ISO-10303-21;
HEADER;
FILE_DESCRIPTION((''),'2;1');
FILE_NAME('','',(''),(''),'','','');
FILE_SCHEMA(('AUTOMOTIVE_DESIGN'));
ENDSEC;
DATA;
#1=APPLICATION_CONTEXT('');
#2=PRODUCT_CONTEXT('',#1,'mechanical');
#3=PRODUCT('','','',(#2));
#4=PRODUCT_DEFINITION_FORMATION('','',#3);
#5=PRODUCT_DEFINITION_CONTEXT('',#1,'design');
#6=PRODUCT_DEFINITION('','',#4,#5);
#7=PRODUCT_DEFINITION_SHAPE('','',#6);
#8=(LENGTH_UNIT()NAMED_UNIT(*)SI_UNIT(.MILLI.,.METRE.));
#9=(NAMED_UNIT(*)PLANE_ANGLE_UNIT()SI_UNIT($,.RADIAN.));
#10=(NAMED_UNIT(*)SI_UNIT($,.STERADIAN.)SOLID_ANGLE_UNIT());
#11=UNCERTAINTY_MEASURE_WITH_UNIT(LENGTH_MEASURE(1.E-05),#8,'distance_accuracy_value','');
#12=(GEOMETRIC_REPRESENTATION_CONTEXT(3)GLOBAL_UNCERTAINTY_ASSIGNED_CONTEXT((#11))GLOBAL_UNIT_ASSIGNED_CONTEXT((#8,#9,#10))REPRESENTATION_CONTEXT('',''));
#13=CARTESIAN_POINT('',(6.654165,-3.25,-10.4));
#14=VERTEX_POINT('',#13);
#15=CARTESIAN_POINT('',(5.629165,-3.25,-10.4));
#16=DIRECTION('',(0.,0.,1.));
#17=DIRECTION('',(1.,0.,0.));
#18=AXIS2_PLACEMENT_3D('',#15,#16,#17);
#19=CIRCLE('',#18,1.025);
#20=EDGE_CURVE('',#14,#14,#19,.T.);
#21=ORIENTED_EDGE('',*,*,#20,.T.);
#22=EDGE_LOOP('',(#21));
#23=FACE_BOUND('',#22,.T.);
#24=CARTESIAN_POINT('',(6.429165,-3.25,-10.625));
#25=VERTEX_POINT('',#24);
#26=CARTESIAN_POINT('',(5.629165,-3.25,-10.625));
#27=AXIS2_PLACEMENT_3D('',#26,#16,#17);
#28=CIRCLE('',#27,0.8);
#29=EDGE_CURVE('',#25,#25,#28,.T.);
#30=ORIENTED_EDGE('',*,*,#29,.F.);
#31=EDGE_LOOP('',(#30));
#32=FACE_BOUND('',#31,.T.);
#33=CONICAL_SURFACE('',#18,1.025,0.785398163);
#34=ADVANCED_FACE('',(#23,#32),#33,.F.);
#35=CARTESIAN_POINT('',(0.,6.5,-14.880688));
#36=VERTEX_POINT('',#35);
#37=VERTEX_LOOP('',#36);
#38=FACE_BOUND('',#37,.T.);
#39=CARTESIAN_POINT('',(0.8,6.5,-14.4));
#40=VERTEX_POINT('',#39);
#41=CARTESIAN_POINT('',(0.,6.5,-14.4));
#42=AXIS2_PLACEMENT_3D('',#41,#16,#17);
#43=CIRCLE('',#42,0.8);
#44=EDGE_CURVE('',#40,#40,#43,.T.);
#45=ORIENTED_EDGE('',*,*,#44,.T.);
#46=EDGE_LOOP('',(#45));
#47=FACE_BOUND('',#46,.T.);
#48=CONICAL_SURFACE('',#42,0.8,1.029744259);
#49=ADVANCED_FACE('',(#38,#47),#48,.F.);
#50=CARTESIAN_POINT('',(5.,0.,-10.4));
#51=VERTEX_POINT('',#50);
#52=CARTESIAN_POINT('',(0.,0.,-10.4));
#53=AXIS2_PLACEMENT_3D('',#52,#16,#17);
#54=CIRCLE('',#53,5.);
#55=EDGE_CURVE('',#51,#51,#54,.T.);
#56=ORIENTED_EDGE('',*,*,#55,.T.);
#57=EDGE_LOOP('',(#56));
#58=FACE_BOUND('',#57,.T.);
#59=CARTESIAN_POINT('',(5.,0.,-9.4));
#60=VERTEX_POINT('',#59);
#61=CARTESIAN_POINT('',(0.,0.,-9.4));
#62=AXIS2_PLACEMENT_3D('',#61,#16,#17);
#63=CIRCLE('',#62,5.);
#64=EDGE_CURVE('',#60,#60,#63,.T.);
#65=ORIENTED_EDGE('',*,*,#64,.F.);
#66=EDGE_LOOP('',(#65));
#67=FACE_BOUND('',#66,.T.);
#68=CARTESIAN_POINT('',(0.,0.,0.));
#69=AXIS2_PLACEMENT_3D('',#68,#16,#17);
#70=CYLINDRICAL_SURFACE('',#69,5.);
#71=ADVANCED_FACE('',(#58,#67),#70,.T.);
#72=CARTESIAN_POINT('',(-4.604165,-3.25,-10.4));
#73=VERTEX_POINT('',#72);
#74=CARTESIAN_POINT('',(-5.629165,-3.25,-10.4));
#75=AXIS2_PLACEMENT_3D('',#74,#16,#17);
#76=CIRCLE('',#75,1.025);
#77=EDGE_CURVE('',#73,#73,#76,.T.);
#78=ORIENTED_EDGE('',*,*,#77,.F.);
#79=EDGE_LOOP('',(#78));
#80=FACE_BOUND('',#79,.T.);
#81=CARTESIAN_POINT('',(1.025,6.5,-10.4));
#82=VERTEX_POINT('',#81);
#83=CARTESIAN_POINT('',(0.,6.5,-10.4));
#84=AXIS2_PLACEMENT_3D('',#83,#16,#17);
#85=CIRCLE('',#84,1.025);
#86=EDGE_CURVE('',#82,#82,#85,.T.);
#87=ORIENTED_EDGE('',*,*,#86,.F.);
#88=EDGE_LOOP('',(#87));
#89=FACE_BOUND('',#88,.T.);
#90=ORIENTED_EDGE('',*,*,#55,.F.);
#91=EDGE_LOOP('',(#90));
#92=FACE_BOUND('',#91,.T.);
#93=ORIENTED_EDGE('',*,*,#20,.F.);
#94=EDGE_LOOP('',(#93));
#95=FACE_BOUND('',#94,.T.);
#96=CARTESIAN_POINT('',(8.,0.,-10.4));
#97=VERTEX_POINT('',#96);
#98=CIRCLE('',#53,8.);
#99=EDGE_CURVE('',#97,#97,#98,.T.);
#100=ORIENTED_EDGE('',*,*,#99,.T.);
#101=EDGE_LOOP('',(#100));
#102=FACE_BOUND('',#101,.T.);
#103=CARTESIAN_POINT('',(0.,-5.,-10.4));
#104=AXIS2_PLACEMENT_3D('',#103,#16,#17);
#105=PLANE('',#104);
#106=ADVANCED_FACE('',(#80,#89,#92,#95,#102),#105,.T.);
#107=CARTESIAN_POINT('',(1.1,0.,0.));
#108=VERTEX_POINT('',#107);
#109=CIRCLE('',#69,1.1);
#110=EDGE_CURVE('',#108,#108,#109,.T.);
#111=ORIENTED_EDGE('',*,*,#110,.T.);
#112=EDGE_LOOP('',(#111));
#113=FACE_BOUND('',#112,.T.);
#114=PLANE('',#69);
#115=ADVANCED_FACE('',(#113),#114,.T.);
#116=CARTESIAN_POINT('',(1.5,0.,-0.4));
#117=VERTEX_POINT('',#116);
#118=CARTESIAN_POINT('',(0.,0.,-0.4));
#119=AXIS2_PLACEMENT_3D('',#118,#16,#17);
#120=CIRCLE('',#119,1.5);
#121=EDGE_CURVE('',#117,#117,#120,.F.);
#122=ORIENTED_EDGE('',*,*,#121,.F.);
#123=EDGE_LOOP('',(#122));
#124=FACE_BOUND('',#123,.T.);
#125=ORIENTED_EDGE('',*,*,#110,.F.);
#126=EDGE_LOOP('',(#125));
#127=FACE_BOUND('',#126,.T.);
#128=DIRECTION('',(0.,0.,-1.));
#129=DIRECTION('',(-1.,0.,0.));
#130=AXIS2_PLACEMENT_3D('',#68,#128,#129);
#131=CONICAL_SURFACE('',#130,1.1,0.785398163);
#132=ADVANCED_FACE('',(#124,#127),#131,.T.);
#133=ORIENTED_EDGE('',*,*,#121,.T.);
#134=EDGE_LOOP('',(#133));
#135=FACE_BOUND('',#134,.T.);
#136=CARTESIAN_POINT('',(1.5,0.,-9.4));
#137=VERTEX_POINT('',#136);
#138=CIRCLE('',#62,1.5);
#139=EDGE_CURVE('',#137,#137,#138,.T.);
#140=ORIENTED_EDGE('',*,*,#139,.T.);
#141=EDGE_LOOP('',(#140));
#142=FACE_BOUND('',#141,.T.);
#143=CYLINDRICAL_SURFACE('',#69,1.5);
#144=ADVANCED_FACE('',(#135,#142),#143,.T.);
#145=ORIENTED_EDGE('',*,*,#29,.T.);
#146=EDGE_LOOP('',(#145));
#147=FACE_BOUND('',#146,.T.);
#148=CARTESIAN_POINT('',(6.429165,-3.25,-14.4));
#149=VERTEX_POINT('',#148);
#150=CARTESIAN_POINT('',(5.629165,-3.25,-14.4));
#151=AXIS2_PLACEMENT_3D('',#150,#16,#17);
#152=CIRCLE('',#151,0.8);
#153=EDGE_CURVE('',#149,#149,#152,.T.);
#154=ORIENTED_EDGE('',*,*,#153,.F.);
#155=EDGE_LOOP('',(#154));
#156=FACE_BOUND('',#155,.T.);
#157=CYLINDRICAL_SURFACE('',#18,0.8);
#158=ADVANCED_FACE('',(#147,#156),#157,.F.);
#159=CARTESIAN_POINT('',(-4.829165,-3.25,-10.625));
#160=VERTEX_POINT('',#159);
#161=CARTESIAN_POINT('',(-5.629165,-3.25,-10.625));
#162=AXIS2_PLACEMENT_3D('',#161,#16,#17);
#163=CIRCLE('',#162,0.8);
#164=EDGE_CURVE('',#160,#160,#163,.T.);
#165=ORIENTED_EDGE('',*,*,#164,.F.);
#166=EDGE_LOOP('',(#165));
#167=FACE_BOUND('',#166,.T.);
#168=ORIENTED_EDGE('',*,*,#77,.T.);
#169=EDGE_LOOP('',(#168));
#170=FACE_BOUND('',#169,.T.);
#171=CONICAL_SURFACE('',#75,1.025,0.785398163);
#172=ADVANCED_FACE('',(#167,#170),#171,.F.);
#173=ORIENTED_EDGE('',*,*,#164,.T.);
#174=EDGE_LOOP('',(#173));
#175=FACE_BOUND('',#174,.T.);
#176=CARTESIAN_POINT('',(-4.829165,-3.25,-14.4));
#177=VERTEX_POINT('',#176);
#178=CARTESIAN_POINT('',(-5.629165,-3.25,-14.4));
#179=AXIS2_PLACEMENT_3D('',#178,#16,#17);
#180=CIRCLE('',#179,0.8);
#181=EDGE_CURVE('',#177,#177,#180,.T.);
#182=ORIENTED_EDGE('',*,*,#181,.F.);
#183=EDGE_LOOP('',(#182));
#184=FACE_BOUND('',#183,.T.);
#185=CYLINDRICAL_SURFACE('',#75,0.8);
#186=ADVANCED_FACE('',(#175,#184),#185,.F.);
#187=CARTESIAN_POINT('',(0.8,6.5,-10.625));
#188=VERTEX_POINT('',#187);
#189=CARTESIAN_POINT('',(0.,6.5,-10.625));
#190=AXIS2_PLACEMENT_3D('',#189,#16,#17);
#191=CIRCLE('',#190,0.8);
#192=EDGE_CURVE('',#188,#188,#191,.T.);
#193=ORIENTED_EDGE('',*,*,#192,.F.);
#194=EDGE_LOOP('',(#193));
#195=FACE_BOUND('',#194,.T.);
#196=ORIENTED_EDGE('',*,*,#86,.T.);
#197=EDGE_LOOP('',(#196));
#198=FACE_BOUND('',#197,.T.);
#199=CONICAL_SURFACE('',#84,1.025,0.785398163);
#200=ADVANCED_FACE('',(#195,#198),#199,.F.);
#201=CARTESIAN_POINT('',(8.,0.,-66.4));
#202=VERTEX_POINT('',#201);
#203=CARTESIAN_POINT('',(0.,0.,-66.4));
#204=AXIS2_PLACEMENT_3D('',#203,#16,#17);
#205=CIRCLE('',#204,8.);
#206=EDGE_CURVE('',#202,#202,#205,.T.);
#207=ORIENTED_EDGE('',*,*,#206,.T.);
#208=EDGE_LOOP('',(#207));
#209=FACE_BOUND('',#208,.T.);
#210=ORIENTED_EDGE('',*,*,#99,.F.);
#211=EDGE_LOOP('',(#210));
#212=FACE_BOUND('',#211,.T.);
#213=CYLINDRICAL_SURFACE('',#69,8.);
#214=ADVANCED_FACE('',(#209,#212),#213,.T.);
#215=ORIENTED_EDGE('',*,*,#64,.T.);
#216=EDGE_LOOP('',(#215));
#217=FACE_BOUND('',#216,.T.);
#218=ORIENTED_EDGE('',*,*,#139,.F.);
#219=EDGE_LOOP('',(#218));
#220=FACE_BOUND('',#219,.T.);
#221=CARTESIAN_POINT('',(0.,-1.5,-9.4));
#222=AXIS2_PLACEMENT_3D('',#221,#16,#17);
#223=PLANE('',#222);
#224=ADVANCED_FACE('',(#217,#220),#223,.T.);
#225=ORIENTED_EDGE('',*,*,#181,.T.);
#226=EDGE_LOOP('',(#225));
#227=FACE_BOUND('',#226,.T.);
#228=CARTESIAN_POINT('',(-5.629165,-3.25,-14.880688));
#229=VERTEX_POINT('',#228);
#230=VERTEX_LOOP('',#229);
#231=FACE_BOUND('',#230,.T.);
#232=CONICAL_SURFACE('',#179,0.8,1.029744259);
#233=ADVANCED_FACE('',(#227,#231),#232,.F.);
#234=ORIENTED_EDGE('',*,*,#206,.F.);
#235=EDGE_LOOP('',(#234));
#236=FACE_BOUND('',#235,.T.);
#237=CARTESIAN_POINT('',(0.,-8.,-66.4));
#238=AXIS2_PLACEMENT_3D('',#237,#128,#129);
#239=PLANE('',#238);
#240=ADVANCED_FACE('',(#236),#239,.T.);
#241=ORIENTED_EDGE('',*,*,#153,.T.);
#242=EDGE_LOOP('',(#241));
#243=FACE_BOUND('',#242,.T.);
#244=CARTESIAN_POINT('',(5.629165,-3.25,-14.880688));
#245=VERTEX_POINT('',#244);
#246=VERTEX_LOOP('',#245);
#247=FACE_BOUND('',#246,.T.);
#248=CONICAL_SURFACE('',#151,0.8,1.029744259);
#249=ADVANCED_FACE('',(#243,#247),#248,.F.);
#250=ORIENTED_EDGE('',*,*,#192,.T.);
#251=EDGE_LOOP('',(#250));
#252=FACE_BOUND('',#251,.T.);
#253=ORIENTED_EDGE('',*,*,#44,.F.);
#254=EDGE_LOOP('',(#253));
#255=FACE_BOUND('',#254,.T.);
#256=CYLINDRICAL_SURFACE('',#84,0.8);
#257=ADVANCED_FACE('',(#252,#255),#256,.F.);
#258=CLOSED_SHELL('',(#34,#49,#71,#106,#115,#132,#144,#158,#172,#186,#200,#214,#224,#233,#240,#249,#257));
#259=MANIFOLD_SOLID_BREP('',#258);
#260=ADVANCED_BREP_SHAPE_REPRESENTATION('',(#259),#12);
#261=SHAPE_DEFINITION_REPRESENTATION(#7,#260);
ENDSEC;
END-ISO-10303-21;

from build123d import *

# Parameters (mm, degrees)
CHAMFER_1_SIZE           = 0.4
PATTERN_CIRCULAR_1_COUNT = 3


with BuildPart() as part:
    # Эскиз1 → Повернуть1 (revolve)
    with BuildSketch(Plane(origin=(0, 0, 0), x_dir=(0, 0, -1), z_dir=(1, 0, 0)), mode=Mode.PRIVATE) as revolve_1_sk:
        Polygon((0, 0), (0, -1.5), (9.4, -1.5), (9.4, -5), (10.4, -5), (10.4, -8), (66.4, -8), (66.4, 0), align=None)
    revolve(revolve_1_sk.sketch.rotate(Axis((0, 0, 0), (0, 0, -1)), 270), axis=Axis((0, 0, 0), (0, 0, -1)))

    # Фаска1
    chamfer_1_edges = [part.edges().sort_by_distance(p)[0] for p in [
        (-1.5, 0, 0),
    ]]
    chamfer(chamfer_1_edges, length=CHAMFER_1_SIZE)

    # Эскиз5 → Отверстие обработанное метчиком M2x0.41 (revolve, cut)
    with BuildSketch(Plane(origin=(0, 6.5, -10.4), x_dir=(0, -1, 0), z_dir=(1, 0, 0))):
        Polygon((0, 0), (0, 4.480688495), (0.8, 4), (0.8, 0.225), (1.025, 0), align=None)
    m2x0_41 = revolve(axis=Axis((0, 6.5, -4.05), (0, 0, -1)), mode=Mode.SUBTRACT)

    # Круговой массив1: Отверстие обработанное метчиком M2x0.41 ×3 about axis
    pattern_circular_1_axis = Axis((0, 0, 0), (0, 0, 1))
    for i in range(1, PATTERN_CIRCULAR_1_COUNT):
        add(m2x0_41.rotate(pattern_circular_1_axis, i * 360 / PATTERN_CIRCULAR_1_COUNT), mode=Mode.SUBTRACT)


solid = part.part
